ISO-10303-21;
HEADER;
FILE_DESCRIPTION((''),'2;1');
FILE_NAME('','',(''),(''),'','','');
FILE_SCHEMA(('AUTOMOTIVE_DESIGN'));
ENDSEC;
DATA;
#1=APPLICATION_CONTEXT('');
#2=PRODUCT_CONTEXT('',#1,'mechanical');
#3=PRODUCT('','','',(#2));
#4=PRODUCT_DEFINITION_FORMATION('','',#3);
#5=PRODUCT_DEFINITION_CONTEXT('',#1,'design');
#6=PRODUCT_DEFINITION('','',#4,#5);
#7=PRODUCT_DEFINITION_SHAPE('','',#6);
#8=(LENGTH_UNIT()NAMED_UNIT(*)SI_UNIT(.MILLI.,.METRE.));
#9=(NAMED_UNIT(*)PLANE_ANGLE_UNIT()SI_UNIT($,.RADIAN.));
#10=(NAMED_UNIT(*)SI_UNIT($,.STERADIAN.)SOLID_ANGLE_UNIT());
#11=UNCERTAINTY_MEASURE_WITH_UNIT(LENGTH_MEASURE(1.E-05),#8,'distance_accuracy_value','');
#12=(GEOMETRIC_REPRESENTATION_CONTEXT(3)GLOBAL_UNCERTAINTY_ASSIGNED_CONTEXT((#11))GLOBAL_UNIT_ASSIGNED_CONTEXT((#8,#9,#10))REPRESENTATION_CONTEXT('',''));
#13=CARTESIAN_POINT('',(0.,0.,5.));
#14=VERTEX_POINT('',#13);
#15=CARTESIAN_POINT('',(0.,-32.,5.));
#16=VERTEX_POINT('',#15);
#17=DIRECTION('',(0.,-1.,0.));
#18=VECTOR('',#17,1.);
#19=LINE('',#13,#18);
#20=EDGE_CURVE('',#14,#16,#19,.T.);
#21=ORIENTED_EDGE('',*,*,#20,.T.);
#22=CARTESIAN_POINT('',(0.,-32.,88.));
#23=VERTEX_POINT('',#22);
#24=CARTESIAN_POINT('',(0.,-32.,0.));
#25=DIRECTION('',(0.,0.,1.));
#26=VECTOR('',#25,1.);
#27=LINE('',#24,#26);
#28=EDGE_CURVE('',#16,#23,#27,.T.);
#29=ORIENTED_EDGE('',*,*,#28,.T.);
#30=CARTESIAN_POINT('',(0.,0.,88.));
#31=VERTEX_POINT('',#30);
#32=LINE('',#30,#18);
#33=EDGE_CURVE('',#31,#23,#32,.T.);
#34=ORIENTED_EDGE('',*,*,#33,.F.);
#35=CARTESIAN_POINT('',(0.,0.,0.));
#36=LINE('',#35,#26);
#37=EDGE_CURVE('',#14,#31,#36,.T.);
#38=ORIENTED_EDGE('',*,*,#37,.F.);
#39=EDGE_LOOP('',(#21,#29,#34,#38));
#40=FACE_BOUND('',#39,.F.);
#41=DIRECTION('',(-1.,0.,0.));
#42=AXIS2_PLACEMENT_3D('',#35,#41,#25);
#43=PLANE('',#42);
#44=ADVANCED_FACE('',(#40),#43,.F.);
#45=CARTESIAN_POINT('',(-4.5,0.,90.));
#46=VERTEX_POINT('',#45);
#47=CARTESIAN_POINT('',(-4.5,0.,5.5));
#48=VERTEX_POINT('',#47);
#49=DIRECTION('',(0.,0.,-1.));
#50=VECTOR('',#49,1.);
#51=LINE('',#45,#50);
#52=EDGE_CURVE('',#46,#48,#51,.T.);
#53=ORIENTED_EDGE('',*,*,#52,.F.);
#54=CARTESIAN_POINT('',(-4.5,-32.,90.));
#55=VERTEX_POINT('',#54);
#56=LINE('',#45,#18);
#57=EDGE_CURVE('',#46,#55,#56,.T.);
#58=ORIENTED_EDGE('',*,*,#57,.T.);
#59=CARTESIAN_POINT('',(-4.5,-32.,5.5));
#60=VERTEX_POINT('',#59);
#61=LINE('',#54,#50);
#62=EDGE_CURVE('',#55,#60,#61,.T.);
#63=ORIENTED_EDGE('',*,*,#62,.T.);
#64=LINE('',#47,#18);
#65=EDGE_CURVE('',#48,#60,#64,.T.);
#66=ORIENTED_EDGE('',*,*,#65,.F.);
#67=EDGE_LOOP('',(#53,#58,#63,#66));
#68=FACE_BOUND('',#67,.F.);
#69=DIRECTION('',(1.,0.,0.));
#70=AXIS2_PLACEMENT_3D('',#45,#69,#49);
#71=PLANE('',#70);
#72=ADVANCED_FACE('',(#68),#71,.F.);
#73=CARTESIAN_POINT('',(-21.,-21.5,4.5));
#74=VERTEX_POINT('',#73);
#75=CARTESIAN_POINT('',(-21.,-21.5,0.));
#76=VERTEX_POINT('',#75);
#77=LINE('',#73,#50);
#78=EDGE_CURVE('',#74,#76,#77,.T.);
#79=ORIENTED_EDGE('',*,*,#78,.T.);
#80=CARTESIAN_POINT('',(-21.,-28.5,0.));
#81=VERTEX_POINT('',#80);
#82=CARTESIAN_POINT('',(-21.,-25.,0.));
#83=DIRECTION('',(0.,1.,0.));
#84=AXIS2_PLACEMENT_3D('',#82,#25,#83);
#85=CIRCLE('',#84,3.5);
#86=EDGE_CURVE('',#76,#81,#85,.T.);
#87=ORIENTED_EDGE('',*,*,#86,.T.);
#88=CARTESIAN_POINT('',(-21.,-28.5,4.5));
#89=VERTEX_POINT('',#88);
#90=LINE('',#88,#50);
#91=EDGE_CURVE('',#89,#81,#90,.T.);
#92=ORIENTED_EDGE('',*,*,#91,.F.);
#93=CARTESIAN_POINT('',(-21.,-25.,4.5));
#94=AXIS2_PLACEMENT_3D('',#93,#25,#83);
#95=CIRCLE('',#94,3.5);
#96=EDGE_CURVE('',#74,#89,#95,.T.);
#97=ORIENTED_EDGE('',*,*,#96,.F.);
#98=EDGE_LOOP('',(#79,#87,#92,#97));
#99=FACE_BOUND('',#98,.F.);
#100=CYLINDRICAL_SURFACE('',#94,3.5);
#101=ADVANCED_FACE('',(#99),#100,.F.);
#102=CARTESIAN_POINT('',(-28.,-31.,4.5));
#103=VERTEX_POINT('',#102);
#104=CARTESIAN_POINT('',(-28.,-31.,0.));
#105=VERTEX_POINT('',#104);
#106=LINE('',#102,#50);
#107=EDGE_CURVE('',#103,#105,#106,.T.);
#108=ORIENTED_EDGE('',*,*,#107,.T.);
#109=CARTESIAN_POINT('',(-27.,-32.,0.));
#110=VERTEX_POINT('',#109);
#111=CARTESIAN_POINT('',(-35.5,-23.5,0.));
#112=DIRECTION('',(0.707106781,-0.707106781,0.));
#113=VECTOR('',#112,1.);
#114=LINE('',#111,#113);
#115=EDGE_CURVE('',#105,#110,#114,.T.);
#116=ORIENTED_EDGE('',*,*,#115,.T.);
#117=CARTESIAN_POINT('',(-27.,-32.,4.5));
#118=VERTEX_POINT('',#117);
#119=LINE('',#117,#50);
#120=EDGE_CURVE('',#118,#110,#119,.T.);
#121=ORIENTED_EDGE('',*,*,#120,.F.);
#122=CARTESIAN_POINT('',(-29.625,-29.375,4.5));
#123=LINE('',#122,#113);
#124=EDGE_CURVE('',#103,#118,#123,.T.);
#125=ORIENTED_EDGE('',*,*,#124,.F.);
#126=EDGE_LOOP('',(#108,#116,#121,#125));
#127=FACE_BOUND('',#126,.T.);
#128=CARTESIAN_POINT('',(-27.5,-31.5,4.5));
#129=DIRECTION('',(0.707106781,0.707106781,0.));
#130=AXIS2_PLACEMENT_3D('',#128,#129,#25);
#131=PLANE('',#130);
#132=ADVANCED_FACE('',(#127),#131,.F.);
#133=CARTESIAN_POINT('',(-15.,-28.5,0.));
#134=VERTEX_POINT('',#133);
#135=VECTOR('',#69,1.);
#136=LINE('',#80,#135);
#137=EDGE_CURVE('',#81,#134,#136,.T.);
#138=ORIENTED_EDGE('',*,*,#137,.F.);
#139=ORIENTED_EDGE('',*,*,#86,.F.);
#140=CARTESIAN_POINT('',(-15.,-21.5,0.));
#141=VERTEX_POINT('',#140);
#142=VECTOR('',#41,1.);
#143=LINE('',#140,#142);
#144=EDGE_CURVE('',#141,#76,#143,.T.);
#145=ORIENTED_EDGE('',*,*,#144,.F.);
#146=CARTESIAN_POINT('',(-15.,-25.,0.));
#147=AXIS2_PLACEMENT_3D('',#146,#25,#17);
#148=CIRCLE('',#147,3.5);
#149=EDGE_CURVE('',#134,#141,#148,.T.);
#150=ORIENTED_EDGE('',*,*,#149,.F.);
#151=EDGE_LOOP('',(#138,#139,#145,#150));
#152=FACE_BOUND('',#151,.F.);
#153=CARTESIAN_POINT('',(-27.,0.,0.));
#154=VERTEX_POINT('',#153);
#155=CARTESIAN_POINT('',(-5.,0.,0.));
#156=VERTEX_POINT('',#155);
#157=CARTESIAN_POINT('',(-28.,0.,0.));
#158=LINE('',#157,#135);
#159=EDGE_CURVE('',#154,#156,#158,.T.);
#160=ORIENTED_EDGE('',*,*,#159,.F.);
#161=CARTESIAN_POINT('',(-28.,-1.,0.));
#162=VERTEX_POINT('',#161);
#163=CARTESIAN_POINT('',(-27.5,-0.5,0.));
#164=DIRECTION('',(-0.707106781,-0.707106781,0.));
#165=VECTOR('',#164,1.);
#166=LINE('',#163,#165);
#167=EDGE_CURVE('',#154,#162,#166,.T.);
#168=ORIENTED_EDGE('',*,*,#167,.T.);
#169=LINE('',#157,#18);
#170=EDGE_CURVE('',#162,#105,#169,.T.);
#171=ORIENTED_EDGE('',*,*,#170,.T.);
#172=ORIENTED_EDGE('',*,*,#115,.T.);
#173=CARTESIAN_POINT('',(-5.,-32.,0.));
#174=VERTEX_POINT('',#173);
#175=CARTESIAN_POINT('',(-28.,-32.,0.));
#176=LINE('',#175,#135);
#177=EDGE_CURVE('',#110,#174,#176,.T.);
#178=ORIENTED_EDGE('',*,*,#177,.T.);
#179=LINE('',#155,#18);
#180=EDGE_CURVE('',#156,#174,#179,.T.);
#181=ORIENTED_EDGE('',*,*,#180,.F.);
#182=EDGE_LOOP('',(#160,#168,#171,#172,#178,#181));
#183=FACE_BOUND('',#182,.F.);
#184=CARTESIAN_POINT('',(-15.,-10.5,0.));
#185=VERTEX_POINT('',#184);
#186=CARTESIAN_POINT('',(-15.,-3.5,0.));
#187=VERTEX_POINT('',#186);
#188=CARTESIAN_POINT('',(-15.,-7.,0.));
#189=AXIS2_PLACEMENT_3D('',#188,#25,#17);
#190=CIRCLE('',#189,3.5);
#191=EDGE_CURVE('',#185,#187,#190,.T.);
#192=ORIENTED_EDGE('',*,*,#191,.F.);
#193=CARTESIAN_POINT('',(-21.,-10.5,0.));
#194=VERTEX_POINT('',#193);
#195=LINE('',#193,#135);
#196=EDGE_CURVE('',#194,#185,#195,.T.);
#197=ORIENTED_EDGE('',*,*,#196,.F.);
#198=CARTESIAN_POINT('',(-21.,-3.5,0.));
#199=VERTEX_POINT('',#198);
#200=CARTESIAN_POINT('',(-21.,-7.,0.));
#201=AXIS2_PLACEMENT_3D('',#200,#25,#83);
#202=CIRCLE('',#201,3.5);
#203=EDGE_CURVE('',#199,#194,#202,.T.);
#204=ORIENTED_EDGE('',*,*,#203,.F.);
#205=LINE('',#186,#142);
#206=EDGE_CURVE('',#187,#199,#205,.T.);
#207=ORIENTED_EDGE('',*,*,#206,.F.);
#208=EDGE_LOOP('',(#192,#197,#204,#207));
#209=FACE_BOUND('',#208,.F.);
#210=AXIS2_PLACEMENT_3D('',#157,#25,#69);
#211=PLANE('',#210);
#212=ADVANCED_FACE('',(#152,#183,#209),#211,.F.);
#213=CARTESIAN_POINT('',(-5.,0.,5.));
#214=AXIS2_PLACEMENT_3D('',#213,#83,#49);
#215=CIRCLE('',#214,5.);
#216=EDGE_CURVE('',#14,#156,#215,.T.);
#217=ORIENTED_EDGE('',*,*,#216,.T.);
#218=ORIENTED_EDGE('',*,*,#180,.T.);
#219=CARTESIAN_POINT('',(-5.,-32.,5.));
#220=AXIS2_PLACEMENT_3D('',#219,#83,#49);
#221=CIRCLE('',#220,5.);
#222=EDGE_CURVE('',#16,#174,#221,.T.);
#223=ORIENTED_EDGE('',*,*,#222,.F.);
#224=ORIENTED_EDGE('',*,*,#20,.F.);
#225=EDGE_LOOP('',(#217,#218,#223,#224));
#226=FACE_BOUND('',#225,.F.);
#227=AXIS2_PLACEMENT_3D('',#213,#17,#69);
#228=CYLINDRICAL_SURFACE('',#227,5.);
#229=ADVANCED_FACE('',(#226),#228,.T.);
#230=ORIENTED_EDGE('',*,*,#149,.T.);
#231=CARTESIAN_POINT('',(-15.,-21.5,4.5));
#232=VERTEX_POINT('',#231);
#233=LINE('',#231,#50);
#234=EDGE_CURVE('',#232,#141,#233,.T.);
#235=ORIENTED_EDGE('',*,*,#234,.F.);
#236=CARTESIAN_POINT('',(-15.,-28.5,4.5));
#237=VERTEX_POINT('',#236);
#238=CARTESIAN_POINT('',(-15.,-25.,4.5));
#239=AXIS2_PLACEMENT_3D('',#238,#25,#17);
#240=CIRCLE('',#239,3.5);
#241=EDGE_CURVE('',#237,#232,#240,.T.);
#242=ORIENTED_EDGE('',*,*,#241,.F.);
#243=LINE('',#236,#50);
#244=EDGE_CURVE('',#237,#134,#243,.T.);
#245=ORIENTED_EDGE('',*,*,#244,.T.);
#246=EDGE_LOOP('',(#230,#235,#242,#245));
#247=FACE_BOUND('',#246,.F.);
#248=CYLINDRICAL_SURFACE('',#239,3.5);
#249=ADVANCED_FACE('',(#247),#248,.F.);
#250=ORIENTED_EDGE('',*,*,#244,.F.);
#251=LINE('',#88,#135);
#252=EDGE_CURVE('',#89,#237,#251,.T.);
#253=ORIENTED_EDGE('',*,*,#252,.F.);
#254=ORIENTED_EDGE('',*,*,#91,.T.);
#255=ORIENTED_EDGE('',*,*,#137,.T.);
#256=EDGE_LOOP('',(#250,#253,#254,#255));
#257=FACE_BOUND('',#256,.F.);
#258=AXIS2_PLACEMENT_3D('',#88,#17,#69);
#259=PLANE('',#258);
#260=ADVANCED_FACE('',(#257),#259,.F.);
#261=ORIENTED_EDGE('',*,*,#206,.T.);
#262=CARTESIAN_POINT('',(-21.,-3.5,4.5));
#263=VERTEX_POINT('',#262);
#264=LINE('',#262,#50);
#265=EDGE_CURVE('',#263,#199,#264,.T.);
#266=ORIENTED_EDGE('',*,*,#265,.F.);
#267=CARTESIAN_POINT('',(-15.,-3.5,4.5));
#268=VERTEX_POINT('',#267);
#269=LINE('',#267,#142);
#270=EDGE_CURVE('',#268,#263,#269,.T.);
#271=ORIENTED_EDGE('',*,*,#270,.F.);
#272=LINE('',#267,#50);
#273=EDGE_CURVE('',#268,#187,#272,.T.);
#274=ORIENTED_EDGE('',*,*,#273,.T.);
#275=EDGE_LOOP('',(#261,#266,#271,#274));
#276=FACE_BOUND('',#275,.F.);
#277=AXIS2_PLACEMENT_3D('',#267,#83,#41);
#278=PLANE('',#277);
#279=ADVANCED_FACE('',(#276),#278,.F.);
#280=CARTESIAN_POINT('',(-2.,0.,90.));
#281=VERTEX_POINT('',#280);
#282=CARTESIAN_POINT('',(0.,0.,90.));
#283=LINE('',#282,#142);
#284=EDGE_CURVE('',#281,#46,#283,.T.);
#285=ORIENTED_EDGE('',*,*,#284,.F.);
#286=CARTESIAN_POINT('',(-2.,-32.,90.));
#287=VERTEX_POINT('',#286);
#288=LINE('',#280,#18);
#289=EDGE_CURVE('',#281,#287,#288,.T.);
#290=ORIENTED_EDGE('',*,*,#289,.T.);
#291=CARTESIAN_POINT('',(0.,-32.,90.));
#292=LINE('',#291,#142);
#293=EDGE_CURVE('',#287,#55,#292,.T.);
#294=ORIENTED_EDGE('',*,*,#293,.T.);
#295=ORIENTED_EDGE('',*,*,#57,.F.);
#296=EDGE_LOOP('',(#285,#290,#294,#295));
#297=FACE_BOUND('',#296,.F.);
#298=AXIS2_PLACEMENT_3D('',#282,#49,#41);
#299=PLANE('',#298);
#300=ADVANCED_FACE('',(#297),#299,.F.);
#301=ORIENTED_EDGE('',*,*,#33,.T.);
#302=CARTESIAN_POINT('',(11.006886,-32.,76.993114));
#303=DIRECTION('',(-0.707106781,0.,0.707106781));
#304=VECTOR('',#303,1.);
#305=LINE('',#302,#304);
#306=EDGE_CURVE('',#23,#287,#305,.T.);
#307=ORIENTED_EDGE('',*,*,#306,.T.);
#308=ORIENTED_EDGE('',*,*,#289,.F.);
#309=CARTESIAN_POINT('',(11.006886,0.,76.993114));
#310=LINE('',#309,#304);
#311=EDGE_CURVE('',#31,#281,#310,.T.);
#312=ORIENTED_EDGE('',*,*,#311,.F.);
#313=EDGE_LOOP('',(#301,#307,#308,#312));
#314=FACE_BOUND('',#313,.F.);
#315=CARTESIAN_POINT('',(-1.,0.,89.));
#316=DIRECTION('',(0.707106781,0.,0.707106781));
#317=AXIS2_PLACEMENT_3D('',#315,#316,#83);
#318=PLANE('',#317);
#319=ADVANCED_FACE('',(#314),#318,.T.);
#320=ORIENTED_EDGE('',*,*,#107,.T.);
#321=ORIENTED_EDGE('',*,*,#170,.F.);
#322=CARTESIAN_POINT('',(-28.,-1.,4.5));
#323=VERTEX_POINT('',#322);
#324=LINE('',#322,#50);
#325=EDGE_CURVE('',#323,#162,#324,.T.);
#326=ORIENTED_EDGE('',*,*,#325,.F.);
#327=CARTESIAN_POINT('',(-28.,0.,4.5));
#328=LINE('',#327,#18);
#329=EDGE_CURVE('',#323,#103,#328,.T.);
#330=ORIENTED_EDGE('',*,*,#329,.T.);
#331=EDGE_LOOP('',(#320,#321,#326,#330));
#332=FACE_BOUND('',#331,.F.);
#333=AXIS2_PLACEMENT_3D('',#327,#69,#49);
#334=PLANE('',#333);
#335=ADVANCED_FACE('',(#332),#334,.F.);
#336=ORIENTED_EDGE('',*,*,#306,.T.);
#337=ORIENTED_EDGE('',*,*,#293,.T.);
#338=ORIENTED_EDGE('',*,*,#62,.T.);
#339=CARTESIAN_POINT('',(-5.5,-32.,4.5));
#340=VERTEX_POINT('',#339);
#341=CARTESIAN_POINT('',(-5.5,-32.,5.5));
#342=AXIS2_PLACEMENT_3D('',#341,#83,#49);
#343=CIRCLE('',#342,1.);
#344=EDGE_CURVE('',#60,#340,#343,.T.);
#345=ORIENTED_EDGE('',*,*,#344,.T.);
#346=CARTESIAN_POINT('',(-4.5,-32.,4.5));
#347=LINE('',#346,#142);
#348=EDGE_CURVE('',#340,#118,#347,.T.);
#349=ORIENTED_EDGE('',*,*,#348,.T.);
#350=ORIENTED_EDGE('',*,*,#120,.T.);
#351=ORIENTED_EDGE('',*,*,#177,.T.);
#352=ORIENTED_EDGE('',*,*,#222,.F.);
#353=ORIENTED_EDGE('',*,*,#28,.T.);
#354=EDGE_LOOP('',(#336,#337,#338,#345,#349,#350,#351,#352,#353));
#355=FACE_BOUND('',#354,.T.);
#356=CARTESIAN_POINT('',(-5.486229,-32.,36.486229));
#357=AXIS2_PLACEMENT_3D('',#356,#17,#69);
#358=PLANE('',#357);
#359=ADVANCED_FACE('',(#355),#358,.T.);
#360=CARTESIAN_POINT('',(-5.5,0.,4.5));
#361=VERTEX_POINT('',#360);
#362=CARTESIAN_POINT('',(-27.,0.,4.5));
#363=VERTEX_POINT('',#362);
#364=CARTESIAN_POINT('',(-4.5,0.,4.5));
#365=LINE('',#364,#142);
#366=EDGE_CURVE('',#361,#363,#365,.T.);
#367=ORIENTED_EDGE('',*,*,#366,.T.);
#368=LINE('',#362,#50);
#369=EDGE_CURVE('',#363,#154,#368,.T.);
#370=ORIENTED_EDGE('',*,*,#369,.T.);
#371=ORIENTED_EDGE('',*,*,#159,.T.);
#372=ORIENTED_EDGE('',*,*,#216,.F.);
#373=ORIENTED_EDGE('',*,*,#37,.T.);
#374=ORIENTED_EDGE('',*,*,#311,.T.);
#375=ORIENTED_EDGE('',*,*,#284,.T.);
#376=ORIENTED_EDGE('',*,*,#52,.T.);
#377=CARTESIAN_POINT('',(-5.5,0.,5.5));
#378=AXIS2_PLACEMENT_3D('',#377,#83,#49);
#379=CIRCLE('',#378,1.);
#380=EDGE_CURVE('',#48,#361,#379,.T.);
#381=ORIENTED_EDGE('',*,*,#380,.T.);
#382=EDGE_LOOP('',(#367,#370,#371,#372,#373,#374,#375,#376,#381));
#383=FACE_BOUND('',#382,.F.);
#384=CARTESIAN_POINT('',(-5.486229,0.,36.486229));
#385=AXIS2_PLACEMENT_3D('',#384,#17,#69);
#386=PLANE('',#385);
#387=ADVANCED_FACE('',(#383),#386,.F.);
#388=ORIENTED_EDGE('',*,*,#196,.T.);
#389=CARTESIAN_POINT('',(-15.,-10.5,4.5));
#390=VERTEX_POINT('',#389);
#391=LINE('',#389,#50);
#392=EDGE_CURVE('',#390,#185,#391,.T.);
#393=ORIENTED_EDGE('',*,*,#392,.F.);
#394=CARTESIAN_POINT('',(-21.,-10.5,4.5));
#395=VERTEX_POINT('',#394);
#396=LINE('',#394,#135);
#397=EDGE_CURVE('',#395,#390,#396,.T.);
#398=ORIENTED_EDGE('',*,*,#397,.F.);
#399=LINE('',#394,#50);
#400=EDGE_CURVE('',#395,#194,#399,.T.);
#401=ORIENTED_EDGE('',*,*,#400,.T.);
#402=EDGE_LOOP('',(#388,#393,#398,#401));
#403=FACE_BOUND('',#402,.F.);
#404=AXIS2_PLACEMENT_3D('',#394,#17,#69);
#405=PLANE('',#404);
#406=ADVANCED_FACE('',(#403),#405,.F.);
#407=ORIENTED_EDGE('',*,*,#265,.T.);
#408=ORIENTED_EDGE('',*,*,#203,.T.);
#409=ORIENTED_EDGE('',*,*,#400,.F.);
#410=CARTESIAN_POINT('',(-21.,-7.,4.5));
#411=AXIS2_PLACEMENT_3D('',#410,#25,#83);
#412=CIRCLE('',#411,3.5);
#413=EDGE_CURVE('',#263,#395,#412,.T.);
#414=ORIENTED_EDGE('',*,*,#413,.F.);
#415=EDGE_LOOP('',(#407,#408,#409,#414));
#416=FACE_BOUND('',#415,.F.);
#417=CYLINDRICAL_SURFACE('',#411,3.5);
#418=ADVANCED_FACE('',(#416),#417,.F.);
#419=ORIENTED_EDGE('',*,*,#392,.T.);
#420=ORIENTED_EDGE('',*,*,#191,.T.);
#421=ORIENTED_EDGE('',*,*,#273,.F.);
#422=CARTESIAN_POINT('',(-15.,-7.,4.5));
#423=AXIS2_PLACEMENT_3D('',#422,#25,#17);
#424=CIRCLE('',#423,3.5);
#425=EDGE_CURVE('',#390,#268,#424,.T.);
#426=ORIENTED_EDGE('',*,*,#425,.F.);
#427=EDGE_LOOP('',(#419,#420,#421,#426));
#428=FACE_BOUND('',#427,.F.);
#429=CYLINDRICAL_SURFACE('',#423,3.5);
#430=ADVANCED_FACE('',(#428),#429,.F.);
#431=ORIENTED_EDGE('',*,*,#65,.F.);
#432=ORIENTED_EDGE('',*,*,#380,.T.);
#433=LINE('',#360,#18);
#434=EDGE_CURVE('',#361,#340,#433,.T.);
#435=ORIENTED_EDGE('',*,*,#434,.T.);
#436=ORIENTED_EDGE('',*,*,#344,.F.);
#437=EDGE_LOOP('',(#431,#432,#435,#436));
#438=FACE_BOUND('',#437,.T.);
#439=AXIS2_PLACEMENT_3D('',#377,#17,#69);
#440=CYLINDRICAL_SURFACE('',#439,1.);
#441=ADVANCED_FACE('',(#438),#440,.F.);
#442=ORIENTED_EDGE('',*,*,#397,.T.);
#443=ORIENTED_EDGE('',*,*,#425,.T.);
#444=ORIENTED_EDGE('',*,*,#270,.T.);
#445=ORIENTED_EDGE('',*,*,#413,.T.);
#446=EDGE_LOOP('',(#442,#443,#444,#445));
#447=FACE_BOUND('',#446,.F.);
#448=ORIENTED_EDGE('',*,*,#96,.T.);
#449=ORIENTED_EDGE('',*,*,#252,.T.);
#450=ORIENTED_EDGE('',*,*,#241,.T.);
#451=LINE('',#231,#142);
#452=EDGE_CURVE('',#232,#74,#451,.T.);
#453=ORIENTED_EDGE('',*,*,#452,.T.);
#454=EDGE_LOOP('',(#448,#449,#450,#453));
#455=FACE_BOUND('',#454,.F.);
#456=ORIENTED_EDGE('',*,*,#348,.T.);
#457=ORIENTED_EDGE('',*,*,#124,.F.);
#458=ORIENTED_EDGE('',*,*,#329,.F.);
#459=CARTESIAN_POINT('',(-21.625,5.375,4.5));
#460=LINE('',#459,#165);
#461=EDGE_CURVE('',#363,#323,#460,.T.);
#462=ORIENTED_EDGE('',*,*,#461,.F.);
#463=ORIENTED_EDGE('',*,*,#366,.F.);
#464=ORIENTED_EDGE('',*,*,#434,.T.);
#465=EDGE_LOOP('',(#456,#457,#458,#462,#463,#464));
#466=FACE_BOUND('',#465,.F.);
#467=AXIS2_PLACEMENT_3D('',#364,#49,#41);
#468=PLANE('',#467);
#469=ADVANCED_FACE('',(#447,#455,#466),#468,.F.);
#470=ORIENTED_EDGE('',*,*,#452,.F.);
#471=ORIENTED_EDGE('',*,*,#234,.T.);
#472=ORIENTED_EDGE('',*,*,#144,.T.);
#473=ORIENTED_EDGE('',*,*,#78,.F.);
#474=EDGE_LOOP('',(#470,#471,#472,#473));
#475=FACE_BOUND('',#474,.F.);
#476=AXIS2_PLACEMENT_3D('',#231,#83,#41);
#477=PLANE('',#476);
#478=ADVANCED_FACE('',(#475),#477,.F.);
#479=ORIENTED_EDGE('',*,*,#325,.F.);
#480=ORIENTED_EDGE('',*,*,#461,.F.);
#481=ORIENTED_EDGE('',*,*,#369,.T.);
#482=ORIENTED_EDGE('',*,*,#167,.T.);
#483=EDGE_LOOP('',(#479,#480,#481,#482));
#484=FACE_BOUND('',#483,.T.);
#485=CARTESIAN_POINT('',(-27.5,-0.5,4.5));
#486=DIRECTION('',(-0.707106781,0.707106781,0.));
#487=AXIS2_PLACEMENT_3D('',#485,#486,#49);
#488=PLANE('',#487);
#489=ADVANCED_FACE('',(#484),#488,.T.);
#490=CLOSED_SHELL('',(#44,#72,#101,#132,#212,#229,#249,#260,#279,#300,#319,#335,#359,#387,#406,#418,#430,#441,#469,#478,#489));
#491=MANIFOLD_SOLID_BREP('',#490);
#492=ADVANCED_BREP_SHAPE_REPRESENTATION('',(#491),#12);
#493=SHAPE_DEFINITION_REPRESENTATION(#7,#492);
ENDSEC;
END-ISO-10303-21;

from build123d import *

# Parameters (mm, degrees)
F1_DEPTH = 32
F2_R     = 1
F3_R     = 5
F4_SIZE  = 2
F5_SIZE  = 1
F7_DEPTH = 4.5


with BuildPart() as f1:
    # F0 (on Front) → F1 (new body)
    with BuildSketch(Plane.XZ):
        Polygon((0, 0), (0, 90), (-4.5, 90), (-4.5, 4.5), (-28, 4.5), (-28, 0), align=None)
    extrude(amount=F1_DEPTH)

    # F2
    f2_edges = [f1.edges().sort_by_distance(p)[0] for p in [
        (-4.5, -16, 4.5),
    ]]
    fillet(f2_edges, radius=F2_R)

    # F3
    f3_edges = [f1.edges().sort_by_distance(p)[0] for p in [
        (0, -16, 0),
    ]]
    fillet(f3_edges, radius=F3_R)

    # F4
    f4_edges = [f1.edges().sort_by_distance(p)[0] for p in [
        (0, -16, 90),
    ]]
    chamfer(f4_edges, length=F4_SIZE)

    # F5
    f5_edges = [f1.edges().sort_by_distance(p)[0] for p in [
        (-28, -32, 2.25),
        (-28, 0, 2.25),
    ]]
    chamfer(f5_edges, length=F5_SIZE)

    # F6 (on face) → F7 (cut)
    with BuildSketch(Plane.XY.offset(4.5)):
        with BuildLine():
            ThreePointArc((-15, -10.5), (-11.5, -7), (-15, -3.5))
            Line((-15, -3.5), (-21, -3.5))
            ThreePointArc((-21, -3.5), (-24.5, -7), (-21, -10.5))
            Line((-21, -10.5), (-15, -10.5))
        make_face()
        with BuildLine():
            ThreePointArc((-15, -28.5), (-11.5, -25), (-15, -21.5))
            Line((-15, -21.5), (-21, -21.5))
            ThreePointArc((-21, -21.5), (-24.5, -25), (-21, -28.5))
            Line((-21, -28.5), (-15, -28.5))
        make_face()
    extrude(amount=-F7_DEPTH, mode=Mode.SUBTRACT)


solid = f1.part
